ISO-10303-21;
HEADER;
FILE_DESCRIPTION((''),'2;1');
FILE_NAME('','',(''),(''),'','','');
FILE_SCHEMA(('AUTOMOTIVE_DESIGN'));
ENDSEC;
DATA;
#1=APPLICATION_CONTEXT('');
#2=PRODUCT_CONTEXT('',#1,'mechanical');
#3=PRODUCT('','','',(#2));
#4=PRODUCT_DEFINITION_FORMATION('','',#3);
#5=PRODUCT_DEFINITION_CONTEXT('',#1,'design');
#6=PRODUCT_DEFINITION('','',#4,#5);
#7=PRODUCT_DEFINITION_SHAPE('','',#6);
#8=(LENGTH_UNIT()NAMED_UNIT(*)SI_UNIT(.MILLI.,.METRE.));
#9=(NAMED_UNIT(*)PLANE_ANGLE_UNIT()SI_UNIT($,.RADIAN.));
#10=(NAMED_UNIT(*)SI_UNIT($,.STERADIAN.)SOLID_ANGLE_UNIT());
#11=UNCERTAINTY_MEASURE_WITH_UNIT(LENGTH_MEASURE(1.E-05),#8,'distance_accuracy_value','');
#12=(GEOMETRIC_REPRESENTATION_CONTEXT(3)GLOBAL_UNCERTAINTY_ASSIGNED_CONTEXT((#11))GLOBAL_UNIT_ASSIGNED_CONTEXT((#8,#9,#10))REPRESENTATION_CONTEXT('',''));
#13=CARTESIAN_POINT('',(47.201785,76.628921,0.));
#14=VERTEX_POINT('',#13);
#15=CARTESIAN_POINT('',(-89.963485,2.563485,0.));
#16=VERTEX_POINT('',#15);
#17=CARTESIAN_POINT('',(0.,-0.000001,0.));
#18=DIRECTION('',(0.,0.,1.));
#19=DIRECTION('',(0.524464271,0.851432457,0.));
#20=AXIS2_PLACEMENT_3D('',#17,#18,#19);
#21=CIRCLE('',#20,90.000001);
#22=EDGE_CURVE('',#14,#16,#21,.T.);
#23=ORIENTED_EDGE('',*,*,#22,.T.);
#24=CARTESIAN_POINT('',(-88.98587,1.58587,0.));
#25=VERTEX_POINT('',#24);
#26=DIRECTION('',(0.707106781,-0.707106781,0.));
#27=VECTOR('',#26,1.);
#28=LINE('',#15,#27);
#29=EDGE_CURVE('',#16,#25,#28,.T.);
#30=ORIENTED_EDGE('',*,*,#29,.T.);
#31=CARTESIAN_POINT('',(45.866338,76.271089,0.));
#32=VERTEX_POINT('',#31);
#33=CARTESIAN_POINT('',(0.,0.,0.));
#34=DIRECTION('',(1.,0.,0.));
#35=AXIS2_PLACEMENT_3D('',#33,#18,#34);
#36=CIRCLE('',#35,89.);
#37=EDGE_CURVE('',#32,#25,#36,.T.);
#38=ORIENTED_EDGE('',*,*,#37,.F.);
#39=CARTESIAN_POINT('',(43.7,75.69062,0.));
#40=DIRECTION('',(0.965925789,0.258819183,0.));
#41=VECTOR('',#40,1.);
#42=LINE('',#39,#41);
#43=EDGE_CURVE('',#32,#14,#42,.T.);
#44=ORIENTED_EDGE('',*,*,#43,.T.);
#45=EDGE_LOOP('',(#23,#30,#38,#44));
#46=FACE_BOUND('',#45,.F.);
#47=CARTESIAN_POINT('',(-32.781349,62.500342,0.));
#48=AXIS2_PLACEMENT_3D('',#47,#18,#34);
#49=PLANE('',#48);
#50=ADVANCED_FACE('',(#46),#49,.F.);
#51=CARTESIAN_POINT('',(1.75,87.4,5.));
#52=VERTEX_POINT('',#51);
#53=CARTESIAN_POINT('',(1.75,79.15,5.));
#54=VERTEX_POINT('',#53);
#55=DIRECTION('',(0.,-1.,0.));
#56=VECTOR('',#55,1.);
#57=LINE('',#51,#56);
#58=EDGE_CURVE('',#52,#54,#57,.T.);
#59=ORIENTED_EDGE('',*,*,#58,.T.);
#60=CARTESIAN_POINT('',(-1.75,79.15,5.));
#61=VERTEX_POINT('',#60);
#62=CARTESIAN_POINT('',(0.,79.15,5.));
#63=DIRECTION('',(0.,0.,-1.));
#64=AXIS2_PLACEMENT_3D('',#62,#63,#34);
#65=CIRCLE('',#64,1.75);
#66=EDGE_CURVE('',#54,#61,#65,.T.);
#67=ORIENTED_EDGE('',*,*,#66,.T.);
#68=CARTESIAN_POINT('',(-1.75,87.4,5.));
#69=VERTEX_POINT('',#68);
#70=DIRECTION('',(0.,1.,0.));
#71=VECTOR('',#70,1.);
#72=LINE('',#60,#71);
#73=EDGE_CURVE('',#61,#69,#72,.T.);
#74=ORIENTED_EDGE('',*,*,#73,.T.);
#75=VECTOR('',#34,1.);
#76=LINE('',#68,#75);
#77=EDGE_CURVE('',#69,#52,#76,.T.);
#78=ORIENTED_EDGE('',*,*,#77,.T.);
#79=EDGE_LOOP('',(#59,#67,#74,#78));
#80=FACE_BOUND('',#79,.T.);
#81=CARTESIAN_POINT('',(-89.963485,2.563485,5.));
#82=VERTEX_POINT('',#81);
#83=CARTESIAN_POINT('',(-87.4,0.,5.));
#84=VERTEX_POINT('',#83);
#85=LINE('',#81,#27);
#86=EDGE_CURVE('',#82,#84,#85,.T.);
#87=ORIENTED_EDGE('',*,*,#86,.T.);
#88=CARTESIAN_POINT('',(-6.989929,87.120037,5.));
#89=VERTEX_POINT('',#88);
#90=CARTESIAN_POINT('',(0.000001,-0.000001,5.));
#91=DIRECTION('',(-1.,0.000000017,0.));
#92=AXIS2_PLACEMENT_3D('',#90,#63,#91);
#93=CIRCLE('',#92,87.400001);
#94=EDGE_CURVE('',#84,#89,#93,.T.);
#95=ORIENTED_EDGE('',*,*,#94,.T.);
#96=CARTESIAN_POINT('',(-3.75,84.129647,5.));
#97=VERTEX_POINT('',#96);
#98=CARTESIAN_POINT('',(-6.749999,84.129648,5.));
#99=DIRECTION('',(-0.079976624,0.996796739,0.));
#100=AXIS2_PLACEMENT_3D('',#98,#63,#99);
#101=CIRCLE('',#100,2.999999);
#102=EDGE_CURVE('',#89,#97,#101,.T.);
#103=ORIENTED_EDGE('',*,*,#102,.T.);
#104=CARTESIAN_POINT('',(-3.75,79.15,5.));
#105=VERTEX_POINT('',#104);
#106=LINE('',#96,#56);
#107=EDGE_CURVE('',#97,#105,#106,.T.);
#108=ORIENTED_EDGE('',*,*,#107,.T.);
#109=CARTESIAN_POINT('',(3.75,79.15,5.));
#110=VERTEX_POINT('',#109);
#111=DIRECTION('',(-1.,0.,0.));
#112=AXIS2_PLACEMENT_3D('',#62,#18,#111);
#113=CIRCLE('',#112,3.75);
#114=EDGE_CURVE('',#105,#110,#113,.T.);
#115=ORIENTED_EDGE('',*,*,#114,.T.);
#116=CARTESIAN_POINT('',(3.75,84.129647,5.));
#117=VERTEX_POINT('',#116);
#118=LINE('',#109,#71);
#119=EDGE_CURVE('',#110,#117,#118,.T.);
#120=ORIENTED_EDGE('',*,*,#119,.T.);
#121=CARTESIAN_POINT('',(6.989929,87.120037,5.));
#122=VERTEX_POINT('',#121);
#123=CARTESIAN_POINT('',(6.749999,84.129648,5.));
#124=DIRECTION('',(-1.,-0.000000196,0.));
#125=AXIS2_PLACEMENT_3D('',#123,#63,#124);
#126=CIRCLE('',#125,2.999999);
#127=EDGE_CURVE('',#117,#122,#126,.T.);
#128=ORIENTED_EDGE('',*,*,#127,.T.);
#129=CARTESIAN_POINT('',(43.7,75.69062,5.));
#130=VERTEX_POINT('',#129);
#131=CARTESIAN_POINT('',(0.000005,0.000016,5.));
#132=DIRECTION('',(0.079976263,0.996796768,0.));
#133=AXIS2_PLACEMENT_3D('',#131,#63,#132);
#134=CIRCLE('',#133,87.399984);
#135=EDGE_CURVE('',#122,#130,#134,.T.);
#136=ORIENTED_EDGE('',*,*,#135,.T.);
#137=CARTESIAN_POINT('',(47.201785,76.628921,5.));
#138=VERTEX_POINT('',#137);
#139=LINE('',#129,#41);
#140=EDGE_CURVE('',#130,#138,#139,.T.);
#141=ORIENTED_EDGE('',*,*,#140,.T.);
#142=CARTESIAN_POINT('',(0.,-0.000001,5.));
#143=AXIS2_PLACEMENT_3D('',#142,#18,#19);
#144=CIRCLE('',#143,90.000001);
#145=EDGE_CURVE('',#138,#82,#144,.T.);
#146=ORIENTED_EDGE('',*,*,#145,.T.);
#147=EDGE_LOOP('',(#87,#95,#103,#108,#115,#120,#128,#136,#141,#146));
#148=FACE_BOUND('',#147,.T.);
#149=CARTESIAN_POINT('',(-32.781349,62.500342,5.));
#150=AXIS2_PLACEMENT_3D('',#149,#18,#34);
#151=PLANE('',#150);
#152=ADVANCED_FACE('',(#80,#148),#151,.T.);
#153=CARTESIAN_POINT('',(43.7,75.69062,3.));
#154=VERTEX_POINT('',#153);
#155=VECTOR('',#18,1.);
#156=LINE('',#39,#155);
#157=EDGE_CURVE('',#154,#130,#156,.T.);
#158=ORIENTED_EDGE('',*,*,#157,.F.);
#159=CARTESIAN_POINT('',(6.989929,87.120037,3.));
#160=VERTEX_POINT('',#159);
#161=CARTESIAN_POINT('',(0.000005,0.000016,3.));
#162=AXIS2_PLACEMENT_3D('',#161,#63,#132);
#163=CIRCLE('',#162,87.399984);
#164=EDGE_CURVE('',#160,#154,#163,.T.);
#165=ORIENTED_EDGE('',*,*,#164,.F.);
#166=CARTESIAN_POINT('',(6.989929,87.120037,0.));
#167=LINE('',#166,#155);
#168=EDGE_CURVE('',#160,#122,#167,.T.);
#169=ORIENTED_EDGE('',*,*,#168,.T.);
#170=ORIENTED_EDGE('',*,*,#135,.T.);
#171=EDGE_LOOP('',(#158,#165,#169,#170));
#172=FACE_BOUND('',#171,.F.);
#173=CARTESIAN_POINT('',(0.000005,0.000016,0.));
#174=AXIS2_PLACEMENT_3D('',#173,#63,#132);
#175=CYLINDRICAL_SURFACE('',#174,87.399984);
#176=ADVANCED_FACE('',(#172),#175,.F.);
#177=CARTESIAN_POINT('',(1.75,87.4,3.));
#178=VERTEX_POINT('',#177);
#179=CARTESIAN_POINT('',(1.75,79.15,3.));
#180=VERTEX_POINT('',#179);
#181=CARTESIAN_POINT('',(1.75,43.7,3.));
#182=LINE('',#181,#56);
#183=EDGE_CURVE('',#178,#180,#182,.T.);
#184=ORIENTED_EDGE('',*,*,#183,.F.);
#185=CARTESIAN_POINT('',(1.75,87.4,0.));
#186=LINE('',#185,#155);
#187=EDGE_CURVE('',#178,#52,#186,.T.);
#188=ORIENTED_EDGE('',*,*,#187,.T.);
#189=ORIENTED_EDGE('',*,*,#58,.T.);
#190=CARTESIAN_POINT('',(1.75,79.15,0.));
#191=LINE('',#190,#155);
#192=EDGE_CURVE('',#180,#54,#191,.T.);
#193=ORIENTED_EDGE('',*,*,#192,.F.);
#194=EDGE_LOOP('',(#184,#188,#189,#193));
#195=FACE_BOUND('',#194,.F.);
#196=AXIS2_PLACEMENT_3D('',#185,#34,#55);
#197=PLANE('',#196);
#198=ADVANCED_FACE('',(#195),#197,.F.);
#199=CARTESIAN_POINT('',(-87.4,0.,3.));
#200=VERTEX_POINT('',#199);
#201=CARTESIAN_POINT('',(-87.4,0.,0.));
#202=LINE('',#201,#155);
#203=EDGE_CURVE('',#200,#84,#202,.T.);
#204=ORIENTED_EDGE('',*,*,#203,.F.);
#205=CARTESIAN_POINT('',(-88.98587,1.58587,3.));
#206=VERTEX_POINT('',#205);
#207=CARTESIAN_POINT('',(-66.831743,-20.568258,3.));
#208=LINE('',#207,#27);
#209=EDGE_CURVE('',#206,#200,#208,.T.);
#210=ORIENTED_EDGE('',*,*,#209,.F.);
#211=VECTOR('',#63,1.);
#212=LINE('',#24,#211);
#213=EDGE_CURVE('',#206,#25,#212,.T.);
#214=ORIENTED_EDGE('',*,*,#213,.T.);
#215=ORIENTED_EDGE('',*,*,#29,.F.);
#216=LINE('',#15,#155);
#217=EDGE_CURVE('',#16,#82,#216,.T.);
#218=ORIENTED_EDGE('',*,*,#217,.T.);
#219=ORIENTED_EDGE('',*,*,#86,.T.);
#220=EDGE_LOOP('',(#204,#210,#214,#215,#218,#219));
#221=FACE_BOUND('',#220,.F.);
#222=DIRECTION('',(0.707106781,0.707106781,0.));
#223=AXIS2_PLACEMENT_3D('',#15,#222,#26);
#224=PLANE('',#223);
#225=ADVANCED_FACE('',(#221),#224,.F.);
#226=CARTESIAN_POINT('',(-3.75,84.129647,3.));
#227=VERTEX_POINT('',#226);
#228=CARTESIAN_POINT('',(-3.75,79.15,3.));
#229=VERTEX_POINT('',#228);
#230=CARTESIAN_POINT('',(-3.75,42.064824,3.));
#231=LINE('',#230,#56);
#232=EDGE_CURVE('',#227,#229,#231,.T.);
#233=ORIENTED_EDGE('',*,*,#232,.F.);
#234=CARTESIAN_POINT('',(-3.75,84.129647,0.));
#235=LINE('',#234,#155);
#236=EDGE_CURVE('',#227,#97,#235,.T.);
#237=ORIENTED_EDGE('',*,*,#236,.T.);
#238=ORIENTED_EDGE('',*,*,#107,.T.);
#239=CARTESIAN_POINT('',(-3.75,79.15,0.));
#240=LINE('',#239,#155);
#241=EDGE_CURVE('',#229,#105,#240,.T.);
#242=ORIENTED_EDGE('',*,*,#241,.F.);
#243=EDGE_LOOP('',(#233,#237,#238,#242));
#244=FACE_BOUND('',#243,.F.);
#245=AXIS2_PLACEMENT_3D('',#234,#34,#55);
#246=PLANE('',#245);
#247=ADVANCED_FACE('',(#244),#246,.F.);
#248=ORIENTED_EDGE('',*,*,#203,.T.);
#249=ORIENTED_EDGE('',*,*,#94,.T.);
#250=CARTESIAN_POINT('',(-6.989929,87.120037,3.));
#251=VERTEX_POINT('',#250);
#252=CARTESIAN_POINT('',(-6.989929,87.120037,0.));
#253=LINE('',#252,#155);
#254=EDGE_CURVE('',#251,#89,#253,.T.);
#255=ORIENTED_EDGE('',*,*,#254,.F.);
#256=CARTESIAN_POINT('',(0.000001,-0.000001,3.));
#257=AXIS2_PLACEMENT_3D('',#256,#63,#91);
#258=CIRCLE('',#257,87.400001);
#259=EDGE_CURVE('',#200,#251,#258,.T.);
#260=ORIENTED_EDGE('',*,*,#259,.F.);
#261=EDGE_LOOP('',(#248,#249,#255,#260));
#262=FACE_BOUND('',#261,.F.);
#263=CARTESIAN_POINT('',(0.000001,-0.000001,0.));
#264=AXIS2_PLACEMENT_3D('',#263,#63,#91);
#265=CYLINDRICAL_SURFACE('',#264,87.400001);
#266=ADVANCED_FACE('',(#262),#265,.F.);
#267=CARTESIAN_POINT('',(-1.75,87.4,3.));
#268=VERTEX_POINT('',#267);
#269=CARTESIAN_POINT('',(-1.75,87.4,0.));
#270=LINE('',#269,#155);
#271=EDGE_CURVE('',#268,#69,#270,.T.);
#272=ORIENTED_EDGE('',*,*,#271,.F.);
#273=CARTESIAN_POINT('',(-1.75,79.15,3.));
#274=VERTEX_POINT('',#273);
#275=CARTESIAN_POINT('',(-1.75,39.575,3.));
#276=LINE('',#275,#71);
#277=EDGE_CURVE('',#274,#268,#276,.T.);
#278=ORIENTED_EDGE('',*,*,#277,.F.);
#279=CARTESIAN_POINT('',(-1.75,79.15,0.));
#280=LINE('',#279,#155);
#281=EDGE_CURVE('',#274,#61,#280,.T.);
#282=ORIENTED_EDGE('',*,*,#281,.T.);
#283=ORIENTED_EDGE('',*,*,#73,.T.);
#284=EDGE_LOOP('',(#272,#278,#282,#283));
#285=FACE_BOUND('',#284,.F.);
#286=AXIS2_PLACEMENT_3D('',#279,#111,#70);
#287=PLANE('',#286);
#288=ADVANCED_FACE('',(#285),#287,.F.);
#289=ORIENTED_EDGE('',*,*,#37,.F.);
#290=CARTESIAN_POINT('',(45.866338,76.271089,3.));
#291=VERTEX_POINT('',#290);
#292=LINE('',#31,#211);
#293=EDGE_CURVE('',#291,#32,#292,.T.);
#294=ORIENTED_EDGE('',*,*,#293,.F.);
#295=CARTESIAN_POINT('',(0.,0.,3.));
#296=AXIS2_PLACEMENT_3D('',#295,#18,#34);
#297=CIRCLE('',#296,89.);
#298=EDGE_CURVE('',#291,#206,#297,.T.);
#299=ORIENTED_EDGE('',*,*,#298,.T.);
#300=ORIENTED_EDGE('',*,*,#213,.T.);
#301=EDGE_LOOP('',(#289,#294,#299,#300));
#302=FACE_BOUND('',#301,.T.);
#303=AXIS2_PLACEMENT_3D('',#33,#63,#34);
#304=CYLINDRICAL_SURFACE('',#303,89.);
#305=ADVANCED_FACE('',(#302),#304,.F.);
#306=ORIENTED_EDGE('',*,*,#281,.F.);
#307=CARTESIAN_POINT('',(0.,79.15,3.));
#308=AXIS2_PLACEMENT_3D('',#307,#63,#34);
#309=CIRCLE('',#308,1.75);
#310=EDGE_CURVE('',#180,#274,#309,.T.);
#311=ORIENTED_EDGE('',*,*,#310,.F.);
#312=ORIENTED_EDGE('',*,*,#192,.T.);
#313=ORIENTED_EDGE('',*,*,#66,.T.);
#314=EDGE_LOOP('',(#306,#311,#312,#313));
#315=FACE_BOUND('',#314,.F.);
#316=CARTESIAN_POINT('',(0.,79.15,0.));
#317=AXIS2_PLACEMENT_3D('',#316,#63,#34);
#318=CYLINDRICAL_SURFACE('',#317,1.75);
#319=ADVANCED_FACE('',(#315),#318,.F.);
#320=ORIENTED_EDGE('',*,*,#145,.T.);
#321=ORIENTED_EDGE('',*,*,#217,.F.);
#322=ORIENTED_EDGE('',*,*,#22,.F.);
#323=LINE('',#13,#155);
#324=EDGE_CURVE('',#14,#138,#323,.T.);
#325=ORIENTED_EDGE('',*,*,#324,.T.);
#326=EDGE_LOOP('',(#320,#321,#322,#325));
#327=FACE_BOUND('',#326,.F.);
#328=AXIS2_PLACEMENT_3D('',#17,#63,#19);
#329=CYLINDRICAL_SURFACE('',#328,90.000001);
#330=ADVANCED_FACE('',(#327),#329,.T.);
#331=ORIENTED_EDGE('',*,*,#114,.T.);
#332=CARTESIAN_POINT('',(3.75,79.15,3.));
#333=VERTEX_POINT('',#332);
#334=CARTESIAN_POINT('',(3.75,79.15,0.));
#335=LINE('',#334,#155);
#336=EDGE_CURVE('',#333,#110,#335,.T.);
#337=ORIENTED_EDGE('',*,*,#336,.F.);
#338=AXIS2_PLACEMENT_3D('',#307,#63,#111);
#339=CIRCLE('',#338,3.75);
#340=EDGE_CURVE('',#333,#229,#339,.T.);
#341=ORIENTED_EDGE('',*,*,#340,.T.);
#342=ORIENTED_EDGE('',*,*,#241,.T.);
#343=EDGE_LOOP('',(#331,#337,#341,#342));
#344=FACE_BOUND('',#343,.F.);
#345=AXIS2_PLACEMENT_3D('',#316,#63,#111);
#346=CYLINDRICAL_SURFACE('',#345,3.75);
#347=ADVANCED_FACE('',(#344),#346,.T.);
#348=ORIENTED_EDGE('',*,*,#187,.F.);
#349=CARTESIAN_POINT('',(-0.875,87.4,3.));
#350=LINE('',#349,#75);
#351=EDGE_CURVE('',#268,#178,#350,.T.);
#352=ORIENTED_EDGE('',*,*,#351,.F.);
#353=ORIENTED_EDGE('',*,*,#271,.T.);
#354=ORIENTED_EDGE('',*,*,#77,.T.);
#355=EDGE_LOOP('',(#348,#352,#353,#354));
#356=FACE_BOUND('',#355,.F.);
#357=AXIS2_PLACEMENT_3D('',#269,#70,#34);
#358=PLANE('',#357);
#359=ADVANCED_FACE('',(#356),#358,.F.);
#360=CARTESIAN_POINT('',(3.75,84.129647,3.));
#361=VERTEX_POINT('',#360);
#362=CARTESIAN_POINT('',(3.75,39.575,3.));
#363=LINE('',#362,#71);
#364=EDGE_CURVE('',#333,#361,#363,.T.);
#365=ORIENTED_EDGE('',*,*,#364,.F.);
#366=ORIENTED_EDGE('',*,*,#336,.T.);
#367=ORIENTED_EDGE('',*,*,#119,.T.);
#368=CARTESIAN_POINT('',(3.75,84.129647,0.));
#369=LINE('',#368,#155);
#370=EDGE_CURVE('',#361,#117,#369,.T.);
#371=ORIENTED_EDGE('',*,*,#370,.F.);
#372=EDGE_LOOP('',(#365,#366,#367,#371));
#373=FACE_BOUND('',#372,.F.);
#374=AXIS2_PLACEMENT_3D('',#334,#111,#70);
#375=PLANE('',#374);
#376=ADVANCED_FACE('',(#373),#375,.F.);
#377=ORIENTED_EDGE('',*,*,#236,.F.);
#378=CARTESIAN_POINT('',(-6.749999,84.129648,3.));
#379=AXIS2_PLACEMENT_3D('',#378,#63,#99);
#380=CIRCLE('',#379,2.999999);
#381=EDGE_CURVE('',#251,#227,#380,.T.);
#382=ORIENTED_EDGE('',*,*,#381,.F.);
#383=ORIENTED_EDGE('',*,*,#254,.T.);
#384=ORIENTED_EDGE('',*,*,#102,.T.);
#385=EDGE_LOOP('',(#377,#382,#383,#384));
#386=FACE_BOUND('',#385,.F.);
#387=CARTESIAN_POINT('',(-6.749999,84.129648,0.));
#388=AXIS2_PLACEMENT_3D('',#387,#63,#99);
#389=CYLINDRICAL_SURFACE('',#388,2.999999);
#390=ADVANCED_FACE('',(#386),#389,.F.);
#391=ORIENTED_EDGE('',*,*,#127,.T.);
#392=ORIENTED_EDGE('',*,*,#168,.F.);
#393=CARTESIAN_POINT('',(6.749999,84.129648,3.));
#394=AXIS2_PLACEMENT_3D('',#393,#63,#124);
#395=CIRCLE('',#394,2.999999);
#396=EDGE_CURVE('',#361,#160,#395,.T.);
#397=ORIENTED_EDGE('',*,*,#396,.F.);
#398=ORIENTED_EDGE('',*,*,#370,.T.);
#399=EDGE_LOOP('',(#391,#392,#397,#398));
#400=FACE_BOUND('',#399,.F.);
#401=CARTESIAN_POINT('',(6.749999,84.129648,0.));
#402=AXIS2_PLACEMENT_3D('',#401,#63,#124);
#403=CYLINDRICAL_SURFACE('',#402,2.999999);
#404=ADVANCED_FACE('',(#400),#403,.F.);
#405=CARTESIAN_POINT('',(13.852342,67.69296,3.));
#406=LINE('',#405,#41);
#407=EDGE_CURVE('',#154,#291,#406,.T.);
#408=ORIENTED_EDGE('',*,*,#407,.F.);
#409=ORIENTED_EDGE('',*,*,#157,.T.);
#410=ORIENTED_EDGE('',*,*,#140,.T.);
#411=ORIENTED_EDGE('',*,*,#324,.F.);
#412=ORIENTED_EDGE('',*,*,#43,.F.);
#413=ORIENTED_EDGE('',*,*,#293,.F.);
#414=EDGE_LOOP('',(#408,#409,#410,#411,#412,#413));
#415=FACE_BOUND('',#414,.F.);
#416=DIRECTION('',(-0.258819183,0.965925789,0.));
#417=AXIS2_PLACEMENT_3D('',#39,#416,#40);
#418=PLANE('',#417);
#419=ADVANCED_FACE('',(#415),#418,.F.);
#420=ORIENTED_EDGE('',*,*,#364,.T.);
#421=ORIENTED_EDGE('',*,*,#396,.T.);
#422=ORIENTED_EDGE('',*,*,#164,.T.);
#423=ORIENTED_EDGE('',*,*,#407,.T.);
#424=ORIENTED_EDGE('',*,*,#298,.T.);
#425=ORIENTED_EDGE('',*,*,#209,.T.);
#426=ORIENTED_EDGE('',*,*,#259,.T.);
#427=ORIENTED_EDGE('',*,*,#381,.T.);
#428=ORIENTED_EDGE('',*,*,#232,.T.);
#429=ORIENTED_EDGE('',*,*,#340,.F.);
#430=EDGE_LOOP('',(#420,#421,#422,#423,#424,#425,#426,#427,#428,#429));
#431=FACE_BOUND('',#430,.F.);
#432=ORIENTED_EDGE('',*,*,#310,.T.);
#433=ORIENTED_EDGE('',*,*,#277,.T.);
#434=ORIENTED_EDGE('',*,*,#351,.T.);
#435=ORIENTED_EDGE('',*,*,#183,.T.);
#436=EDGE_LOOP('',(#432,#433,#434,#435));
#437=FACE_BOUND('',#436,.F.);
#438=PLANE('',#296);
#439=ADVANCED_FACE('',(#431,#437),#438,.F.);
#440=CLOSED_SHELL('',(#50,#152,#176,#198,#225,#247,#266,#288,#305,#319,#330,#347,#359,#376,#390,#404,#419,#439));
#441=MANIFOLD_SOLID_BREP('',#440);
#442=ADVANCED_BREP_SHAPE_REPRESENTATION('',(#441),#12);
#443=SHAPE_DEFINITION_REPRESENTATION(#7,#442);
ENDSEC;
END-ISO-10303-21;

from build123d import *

# Parameters (mm, degrees)
F1_DEPTH = 5
F2_R     = 89
F3_DEPTH = 3


with BuildPart() as f1:
    # F0 (on Top) → F1 (new body)
    with BuildSketch(Plane.XY):
        with BuildLine():
            Line((43.7, 75.69062), (47.201785, 76.628921))
            ThreePointArc((47.201785, 76.628921), (-42.7617, 79.192405), (-89.963485, 2.563485))
            Line((-89.963485, 2.563485), (-87.4, 0))
            ThreePointArc((-87.4, 0), (-64.224916, 59.278327), (-6.989929, 87.120037))
            ThreePointArc((-6.989929, 87.120037), (-4.715275, 86.334164), (-3.75, 84.129647))
            Line((-3.75, 84.129647), (-3.75, 79.15))
            ThreePointArc((-3.75, 79.15), (0, 75.4), (3.75, 79.15))
            Line((3.75, 79.15), (3.75, 84.129647))
            ThreePointArc((3.75, 84.129647), (4.715275, 86.334164), (6.989929, 87.120037))
            ThreePointArc((6.989929, 87.120037), (25.981245, 83.448996), (43.7, 75.69062))
        make_face()
        with BuildLine():
            ThreePointArc((1.75, 79.15), (0, 77.4), (-1.75, 79.15))
            Line((-1.75, 79.15), (-1.75, 87.4))
            Line((-1.75, 87.4), (1.75, 87.4))
            Line((1.75, 87.4), (1.75, 79.15))
        make_face(mode=Mode.SUBTRACT)
    extrude(amount=F1_DEPTH)

    # F2 (on Top) → F3 (cut)
    with BuildSketch(Plane.XY):
        Circle(F2_R)
    extrude(amount=F3_DEPTH, mode=Mode.SUBTRACT)


solid = f1.part
